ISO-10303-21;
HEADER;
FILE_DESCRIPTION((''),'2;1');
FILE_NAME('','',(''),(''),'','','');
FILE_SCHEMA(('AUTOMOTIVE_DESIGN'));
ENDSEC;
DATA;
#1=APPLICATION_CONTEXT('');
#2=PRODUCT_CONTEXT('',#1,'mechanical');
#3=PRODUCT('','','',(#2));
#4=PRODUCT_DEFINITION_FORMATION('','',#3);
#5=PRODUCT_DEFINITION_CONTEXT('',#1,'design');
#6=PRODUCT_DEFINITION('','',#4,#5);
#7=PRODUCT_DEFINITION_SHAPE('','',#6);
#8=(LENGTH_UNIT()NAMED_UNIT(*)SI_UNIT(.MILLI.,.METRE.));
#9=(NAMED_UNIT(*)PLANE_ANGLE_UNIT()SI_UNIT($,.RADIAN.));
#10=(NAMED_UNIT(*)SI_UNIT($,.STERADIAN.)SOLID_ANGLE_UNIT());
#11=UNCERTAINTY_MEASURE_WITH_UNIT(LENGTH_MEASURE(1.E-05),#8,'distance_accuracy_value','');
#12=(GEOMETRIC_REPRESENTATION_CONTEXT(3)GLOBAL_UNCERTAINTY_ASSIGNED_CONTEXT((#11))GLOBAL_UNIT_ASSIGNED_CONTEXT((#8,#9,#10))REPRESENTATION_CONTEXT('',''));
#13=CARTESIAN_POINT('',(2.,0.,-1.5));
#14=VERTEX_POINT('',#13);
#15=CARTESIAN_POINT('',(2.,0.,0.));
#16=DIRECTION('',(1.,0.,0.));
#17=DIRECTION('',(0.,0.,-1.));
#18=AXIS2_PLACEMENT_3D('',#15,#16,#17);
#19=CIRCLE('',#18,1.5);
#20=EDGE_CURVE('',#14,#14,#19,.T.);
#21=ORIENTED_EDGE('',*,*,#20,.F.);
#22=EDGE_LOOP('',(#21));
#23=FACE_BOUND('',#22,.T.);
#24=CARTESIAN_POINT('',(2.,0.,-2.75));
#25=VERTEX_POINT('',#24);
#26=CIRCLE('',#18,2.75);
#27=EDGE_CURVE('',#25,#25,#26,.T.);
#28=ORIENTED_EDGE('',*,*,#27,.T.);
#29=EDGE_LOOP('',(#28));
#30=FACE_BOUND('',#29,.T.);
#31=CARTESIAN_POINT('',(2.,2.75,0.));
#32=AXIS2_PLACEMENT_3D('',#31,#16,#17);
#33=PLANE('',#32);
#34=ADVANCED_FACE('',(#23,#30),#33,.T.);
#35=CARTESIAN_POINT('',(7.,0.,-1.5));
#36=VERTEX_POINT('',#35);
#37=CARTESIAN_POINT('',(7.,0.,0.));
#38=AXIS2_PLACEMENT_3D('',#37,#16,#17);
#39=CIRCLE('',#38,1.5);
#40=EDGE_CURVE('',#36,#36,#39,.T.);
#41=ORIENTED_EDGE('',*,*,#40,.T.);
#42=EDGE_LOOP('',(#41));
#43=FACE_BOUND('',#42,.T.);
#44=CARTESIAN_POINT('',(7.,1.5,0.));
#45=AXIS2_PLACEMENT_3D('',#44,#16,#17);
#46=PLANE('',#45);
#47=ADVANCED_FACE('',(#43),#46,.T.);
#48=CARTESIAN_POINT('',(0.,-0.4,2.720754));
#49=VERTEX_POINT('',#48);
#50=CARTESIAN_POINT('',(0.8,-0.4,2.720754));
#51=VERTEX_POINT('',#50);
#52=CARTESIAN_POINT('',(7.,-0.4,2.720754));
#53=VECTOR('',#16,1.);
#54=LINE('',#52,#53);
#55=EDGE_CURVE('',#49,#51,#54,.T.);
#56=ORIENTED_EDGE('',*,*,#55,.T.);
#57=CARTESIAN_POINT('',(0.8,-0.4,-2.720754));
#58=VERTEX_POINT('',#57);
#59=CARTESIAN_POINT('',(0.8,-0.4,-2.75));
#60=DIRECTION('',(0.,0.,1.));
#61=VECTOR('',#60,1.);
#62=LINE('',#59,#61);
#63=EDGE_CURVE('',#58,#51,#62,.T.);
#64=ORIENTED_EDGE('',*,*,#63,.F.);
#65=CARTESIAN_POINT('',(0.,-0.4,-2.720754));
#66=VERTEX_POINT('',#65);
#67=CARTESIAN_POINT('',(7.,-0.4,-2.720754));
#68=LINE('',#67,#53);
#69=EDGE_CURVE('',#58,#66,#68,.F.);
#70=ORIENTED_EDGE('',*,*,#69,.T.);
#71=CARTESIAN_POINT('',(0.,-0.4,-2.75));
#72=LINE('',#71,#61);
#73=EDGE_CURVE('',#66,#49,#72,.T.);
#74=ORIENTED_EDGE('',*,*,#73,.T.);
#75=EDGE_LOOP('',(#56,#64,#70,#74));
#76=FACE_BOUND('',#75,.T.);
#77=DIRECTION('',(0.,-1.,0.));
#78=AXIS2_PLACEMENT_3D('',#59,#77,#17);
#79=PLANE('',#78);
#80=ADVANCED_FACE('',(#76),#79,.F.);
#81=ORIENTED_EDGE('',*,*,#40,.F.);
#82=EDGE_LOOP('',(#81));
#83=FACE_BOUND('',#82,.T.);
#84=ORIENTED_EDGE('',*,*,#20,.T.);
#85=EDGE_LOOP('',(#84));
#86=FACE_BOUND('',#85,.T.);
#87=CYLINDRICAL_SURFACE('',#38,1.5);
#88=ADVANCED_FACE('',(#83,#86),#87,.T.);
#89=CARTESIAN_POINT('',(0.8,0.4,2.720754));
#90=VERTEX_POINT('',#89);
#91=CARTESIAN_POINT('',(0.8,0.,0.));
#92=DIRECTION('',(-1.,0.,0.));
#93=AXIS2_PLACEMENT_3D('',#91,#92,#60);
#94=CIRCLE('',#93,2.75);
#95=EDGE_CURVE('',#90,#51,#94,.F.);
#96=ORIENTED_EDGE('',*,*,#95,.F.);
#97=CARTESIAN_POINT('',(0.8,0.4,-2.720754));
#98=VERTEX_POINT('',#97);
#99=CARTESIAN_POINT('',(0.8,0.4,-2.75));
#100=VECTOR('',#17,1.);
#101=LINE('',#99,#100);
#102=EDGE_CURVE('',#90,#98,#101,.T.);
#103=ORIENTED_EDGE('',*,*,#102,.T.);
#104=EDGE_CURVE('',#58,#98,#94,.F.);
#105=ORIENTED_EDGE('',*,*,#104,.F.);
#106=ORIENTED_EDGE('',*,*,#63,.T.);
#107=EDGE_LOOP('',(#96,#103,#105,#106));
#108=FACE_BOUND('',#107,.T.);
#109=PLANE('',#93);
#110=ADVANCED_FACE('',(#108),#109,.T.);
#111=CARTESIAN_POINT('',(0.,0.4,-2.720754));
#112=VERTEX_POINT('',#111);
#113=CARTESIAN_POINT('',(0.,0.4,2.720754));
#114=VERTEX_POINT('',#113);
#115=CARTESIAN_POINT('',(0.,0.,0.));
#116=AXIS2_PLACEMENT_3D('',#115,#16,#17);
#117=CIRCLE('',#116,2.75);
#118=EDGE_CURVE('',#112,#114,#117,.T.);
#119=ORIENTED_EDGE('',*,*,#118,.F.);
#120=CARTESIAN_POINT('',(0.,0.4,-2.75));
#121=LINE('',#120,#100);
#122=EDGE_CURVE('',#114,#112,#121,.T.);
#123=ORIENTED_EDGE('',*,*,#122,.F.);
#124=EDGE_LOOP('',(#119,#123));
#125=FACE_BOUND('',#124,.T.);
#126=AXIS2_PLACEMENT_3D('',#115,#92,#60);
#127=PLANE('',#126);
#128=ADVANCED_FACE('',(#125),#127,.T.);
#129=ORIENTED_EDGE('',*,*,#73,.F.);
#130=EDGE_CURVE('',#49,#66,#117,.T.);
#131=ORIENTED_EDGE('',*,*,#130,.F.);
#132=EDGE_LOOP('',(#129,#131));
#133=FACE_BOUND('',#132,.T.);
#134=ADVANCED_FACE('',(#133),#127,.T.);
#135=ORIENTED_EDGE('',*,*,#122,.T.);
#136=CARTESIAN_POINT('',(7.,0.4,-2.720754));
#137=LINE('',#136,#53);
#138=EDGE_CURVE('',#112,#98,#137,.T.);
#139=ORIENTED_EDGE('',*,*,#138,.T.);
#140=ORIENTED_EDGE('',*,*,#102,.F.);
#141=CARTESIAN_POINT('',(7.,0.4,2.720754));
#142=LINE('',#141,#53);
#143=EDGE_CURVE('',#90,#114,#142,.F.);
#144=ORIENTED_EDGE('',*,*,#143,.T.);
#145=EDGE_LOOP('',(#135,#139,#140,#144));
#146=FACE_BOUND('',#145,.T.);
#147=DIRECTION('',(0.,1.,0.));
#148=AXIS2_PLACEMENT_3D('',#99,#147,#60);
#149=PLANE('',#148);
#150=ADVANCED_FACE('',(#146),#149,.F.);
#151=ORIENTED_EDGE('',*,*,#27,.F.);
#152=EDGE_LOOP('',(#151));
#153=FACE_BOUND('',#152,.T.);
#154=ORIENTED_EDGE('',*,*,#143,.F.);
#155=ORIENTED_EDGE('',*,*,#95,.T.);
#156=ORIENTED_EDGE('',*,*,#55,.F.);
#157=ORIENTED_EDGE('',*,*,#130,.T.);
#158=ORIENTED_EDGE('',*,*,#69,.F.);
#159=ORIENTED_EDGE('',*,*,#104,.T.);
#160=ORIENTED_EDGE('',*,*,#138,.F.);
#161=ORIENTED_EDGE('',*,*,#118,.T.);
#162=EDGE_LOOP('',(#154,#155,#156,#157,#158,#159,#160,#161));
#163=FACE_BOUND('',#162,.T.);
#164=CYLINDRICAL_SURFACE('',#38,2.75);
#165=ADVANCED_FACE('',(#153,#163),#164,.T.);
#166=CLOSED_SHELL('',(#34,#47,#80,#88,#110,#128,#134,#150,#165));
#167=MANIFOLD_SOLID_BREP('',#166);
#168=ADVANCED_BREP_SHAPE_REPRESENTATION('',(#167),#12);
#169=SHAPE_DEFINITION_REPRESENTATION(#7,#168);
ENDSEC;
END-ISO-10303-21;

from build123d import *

# Parameters (mm, degrees)
SKETCH2_W          = 5.5
SKETCH2_H          = 0.8
CUT_EXTRUDE1_DEPTH = 0.8


with BuildPart() as part:
    # Sketch1 → Revolve1 (revolve)
    with BuildSketch(Plane.XY, mode=Mode.PRIVATE) as revolve1_sk:
        Polygon((0, 0), (0, 2.75), (2, 2.75), (2, 1.5), (7, 1.5), (7, 0), align=None)
    revolve(revolve1_sk.sketch.rotate(Axis((7, 0, 0), (-1, 0, 0)), 90), axis=Axis((7, 0, 0), (-1, 0, 0)))

    # Sketch2 → Cut-Extrude1 (cut)
    with BuildSketch(Plane.ZY):
        Rectangle(SKETCH2_W, SKETCH2_H)
    extrude(amount=-CUT_EXTRUDE1_DEPTH, mode=Mode.SUBTRACT)


solid = part.part
